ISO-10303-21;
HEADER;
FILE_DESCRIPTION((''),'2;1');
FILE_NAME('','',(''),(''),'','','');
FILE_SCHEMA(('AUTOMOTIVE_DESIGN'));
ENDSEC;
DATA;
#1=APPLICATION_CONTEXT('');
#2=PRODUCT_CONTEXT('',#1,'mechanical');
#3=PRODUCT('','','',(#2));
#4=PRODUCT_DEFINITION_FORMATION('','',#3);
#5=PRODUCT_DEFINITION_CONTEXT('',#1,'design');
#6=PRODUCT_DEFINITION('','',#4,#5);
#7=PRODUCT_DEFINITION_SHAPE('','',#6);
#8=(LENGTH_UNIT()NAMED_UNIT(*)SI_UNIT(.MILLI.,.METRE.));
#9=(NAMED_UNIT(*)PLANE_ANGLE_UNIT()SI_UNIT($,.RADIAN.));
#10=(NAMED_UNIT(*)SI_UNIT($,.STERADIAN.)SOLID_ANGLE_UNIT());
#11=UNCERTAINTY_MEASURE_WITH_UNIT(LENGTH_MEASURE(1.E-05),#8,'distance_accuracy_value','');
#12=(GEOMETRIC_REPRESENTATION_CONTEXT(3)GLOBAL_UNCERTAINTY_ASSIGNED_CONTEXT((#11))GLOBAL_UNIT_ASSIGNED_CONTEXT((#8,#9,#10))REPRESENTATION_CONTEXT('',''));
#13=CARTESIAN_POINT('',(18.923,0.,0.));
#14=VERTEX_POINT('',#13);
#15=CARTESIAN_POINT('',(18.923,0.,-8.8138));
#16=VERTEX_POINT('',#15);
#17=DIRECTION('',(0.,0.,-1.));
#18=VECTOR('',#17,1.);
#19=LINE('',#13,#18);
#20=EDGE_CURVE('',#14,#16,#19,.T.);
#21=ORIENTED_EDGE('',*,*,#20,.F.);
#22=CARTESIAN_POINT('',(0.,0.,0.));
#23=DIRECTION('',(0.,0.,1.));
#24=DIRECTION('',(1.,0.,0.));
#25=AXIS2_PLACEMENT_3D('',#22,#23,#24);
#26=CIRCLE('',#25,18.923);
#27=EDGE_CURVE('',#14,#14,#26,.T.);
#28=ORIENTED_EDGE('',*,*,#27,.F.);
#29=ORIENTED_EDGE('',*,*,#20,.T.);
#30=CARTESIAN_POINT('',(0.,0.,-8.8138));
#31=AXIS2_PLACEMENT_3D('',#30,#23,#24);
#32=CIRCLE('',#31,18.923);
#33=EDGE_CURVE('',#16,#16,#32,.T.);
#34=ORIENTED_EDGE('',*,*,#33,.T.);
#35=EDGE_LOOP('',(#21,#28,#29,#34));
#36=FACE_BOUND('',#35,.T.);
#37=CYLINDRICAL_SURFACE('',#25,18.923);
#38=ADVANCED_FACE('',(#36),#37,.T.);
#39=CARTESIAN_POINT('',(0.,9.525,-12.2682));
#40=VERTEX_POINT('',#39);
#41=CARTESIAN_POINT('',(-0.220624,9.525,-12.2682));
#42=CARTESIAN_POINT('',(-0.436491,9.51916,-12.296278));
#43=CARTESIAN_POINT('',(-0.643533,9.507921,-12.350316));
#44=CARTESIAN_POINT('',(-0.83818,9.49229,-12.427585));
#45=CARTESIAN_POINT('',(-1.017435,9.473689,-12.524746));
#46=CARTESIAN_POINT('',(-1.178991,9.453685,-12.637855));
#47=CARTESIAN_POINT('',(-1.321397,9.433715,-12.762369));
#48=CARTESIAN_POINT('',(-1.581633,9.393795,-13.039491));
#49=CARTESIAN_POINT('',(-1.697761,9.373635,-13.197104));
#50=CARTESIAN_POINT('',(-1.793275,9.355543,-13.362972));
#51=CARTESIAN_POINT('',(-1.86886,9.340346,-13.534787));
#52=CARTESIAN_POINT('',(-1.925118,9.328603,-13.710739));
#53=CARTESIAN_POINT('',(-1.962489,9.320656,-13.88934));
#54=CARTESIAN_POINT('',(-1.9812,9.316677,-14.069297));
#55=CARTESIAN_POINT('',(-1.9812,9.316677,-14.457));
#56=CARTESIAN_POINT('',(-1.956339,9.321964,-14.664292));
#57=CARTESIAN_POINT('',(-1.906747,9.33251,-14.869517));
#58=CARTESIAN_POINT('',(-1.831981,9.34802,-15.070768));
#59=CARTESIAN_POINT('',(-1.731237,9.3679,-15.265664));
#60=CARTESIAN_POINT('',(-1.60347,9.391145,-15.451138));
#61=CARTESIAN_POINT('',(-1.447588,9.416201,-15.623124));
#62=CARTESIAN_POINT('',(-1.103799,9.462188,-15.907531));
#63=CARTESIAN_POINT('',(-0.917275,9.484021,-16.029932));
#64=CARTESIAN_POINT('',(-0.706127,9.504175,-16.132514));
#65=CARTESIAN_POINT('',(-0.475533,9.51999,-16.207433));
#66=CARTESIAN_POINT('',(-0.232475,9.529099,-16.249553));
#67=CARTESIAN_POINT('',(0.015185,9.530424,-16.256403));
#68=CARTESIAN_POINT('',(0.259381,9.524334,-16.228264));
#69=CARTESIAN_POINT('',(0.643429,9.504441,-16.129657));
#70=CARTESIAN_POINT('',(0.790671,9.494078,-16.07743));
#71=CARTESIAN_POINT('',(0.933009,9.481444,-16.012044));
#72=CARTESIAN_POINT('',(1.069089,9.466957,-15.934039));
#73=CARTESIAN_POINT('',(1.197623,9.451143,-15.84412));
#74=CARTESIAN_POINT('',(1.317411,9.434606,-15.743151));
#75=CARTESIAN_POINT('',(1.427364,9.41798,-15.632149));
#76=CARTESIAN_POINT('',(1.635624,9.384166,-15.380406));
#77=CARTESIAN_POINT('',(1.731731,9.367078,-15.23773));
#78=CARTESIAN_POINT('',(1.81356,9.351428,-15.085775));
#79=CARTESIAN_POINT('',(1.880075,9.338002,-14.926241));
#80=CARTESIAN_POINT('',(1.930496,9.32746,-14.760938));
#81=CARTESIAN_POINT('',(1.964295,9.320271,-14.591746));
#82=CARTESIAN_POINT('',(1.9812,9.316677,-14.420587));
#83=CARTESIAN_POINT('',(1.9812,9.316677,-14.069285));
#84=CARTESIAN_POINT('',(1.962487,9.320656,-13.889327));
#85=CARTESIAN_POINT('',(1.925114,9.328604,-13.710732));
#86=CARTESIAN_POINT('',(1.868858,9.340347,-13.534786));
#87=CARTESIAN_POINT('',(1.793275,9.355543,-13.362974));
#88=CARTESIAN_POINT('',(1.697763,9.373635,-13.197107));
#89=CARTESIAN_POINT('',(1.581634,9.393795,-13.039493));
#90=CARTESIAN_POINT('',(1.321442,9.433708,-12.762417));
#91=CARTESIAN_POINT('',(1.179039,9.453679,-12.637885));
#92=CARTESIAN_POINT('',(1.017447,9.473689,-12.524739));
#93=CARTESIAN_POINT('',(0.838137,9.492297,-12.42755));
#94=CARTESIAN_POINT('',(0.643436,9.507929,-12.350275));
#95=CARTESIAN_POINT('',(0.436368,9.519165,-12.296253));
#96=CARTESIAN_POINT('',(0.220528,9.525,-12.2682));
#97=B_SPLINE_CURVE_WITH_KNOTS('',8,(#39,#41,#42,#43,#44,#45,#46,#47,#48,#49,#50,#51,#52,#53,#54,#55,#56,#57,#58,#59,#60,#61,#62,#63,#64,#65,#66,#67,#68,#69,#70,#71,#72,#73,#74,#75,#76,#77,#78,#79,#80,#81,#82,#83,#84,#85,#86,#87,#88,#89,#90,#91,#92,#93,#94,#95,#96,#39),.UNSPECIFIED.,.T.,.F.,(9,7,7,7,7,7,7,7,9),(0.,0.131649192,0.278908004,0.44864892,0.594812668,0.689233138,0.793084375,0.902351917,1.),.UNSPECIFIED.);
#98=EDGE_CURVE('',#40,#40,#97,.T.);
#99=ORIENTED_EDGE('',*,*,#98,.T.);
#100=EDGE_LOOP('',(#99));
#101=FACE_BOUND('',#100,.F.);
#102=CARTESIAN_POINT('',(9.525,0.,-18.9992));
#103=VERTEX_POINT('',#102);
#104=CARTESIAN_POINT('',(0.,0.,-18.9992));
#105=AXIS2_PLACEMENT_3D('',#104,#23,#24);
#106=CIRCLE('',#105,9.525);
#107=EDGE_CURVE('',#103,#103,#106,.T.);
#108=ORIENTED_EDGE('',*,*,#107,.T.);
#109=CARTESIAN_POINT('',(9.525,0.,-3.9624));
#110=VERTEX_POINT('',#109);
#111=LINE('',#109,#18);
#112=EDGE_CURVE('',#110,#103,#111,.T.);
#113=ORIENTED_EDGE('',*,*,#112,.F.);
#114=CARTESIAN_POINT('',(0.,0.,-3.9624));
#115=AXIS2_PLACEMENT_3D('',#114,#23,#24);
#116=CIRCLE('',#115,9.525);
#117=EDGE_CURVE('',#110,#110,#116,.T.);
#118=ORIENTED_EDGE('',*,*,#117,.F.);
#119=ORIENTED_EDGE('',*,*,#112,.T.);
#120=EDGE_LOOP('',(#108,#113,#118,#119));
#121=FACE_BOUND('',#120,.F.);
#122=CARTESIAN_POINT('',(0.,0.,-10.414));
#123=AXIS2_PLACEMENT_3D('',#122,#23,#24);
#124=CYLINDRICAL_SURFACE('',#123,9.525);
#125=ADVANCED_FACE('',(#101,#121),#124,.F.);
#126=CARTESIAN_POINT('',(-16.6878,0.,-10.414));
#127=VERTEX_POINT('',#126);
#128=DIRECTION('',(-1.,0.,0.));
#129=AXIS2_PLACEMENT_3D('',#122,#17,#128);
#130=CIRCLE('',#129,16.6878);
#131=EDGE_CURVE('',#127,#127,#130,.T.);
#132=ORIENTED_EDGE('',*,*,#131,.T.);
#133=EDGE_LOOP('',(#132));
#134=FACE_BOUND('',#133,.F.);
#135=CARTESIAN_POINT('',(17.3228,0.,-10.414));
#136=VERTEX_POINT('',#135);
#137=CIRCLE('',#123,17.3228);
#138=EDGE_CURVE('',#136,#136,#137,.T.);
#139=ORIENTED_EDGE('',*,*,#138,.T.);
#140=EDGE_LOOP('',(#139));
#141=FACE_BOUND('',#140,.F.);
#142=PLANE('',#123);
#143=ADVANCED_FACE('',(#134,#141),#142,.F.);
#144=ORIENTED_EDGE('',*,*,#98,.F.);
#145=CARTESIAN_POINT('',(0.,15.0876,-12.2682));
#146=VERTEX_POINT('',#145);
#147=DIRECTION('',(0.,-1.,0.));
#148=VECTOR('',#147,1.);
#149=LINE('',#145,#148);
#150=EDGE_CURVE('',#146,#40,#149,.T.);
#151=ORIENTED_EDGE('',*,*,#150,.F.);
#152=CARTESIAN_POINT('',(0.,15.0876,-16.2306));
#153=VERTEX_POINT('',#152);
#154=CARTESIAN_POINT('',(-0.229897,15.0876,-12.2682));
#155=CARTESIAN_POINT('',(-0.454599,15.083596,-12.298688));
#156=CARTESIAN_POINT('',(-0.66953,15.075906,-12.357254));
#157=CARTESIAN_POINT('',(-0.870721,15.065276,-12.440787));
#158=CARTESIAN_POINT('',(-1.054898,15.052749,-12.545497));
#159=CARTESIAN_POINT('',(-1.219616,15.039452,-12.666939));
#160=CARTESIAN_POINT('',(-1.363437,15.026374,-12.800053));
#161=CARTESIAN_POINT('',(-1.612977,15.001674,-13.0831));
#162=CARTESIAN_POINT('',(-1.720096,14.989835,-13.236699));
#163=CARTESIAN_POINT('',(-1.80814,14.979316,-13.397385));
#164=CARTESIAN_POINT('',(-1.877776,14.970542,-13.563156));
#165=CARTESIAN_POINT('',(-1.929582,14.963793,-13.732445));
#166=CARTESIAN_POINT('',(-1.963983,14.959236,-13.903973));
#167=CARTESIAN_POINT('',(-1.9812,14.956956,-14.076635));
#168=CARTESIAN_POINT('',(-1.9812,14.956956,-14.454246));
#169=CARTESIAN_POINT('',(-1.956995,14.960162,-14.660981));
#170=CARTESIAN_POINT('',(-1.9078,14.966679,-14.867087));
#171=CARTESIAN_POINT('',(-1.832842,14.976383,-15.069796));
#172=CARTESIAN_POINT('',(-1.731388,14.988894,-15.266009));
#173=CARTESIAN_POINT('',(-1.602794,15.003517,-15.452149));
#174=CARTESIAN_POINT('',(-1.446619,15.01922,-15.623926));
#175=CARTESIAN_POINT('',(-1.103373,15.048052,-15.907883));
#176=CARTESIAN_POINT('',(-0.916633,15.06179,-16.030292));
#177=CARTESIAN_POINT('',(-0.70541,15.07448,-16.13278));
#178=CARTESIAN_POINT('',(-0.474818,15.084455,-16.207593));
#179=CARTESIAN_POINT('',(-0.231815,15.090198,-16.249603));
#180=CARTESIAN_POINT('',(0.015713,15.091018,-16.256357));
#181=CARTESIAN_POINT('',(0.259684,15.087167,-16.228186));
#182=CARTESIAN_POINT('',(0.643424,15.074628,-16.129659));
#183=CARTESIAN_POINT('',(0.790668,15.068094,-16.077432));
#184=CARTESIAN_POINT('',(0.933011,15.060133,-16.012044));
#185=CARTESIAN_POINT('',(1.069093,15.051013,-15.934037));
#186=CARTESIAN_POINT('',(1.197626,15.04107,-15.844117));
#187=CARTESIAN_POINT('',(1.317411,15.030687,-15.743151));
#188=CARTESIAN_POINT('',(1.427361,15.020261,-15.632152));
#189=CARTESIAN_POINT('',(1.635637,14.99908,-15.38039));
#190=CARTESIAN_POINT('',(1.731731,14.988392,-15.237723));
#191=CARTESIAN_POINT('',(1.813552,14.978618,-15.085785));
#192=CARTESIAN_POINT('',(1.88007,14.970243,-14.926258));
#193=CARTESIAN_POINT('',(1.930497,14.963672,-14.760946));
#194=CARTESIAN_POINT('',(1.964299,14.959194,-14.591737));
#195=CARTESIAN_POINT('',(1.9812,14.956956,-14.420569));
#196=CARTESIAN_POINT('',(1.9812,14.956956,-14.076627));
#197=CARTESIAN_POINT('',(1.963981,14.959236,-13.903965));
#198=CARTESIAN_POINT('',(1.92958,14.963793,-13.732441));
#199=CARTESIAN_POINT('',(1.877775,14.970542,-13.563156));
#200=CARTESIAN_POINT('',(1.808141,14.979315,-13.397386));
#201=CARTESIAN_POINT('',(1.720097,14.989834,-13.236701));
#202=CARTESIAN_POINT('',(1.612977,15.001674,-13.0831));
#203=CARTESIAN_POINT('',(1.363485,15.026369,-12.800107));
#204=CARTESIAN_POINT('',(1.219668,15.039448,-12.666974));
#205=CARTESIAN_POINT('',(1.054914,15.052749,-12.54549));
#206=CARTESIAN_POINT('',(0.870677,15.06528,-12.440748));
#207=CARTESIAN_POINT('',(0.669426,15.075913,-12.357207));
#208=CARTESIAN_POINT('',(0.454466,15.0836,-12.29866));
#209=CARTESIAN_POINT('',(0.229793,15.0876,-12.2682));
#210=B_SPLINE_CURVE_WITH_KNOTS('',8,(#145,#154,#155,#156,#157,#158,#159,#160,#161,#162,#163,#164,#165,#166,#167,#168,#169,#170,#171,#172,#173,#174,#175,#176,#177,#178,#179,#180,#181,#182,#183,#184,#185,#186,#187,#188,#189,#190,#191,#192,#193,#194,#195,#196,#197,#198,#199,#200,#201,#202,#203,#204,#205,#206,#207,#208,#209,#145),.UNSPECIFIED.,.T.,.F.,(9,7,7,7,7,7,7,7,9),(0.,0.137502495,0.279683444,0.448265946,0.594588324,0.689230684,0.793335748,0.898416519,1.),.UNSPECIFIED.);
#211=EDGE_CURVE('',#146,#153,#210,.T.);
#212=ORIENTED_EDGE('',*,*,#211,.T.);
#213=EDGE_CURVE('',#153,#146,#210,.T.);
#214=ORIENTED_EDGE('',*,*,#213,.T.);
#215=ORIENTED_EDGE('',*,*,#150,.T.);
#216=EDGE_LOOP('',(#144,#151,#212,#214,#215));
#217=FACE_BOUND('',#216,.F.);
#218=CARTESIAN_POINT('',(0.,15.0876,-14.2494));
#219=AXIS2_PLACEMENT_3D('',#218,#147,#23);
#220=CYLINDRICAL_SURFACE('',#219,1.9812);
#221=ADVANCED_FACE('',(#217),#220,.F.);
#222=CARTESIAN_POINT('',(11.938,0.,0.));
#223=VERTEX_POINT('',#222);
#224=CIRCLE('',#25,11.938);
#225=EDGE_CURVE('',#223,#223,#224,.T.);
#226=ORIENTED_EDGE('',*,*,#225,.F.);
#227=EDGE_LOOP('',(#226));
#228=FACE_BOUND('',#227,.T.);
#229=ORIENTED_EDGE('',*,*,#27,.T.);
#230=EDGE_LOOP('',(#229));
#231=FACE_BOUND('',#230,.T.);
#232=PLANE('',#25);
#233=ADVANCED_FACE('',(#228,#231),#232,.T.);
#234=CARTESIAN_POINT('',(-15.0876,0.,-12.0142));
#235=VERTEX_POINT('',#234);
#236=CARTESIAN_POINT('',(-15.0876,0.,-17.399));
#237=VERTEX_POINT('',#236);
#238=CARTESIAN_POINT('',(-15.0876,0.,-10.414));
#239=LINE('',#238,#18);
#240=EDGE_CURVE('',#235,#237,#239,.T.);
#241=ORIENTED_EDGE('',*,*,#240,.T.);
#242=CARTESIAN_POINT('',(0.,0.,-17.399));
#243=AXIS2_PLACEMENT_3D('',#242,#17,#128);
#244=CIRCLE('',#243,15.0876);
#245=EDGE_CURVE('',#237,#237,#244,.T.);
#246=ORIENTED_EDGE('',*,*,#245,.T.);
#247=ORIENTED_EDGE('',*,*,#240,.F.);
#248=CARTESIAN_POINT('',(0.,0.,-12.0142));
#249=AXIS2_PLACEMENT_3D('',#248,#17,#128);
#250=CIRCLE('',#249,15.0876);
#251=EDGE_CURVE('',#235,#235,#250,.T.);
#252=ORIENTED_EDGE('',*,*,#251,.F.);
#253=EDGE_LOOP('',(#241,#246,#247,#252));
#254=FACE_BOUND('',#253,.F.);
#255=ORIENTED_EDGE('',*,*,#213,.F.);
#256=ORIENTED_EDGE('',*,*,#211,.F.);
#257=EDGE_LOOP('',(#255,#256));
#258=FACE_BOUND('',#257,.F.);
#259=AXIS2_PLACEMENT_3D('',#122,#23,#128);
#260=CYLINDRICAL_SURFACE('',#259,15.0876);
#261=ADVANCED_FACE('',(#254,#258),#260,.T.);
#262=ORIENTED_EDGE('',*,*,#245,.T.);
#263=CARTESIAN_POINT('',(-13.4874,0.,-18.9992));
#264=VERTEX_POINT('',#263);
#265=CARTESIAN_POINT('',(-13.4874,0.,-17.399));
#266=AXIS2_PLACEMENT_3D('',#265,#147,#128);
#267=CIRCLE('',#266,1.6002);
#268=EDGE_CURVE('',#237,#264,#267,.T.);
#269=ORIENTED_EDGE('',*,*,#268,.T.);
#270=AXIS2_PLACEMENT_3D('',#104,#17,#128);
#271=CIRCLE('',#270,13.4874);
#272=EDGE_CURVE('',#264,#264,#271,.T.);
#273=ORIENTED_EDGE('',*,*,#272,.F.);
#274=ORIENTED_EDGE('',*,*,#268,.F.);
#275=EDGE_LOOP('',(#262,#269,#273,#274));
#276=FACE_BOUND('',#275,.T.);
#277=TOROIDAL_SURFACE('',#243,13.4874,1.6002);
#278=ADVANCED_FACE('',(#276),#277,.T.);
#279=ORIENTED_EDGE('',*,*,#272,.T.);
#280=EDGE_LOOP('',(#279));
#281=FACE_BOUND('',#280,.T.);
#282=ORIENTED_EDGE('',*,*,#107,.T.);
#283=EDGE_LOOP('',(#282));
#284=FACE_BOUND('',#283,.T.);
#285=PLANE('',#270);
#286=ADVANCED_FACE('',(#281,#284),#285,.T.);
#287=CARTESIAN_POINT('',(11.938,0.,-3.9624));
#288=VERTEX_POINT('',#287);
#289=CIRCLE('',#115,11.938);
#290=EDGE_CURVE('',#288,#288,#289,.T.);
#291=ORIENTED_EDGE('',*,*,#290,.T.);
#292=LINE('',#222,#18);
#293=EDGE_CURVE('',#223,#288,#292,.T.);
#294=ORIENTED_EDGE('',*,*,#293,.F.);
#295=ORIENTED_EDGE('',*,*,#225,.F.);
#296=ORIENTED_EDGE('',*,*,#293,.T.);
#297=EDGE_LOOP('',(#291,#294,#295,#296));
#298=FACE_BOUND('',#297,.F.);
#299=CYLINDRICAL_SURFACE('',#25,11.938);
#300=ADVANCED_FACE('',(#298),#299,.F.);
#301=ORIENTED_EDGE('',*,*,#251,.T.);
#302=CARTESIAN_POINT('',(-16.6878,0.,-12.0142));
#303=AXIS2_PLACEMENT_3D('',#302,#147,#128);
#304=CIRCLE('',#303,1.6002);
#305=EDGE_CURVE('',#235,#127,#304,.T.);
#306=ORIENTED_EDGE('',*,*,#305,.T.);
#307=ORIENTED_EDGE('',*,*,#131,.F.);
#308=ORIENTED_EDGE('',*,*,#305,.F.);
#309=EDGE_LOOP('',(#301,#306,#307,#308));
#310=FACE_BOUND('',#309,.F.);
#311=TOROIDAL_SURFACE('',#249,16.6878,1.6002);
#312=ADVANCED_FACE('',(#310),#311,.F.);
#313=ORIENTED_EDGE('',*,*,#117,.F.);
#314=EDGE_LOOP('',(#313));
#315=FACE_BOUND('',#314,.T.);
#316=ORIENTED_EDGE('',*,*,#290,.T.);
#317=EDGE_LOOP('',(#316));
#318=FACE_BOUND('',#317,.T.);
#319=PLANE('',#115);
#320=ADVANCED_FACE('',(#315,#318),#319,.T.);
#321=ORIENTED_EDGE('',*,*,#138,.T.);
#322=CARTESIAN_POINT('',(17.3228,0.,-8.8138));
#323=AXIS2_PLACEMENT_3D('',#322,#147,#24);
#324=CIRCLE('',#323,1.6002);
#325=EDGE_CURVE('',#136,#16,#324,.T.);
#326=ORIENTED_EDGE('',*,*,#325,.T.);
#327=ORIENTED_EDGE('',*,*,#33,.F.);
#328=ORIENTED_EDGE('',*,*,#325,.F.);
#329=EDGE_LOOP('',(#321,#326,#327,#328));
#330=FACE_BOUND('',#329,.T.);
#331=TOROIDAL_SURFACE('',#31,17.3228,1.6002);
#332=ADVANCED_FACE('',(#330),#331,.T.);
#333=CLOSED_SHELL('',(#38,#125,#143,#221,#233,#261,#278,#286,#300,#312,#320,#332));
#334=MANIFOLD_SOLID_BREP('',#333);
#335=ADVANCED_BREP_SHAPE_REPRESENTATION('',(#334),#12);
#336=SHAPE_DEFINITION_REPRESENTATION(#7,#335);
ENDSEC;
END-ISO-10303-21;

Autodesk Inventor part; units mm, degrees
ref_plane "YZ Plane" through (0, 0, 0) normal (1, 0, 0) x (0, 1, 0)
ref_plane "XZ Plane" through (0, 0, 0) normal (0, 1, 0) x (-1, 0, 0)
sketch "Sketch4" plane through (0, 0, 0) normal (0, 0, 1) x (1, 0, 0)
  circle A0 centre (0, 0) radius 18.923
  dimension "d2" = 37.846
extrude "Extrusion1" add sketch "Sketch4" against normal blind 10.414
sketch "Sketch7" plane through (0, 0, 0) normal (0, 0, 1) x (1, 0, 0)
  circle A0 centre (0, 0) radius 9.525
  dimension "d8" = 19.05
extrude "Extrusion3" cut sketch "Sketch7" against normal blind 127
sketch "Sketch8" plane through (0, 0, 0) normal (0, 0, 1) x (1, 0, 0)
  circle A0 centre (0, 0) radius 11.938
  dimension "d11" = 23.876
extrude "Extrusion4" cut sketch "Sketch8" against normal blind 3.9624
sketch "Sketch9" plane through (0, 0, -10.414) normal (0, 0, -1) x (-1, 0, 0)
  circle A0 centre (0, 0) radius 15.0876
  dimension "d14" = 30.1752
extrude "Extrusion5" add sketch "Sketch9" along normal blind 8.5852
sketch "Sketch10" plane through (0, 0, -10.414) normal (0, 0, 1) x (1, 0, 0)
  circle A0 centre (0, 0) radius 9.525
extrude "Extrusion6" cut sketch "Sketch10" against normal blind 8.5852
fillet "Fillet1" radius 1.6002 1 edges at (15.0876, 0, -10.414)
fillet "Fillet2" radius 1.6002 1 edges at (-18.923, 0, -10.414)
sketch "Sketch11" plane through (0, 0, -18.9992) normal (0, 0, -1) x (-1, 0, 0)
  circle A0 centre (0, 0) radius 9.525 projected
  line L0 (0, 9.525) -> (0, 15.0876)
  circle A1 centre (0, 0) radius 15.0876 projected
ref_plane "Work Plane2" through (0, 15.0876, -10.414) normal (0, 1, 0) x (-1, 0, 0)
sketch "Sketch12" plane through (0, 15.0876, -10.414) normal (0, 1, 0) x (-1, 0, 0)
  line L0 (0, 10.414) -> (0, -3.8354)
  dimension "d21" = 14.2494
hole "Hole1" at (0, 15.0876, -14.2494) direction (0, -1, 0) diameter 3.9624 depth 7.2644 thread size "10-32 UNF" class "2B" standard "ANSI Unified Screw Threads"
fillet "Fillet3" radius 1.6002 1 edges at (15.0876, 0, -18.9992)
properties part number "Problem14_15_JacobMorgan_031015_pd3" material "Bronze"
